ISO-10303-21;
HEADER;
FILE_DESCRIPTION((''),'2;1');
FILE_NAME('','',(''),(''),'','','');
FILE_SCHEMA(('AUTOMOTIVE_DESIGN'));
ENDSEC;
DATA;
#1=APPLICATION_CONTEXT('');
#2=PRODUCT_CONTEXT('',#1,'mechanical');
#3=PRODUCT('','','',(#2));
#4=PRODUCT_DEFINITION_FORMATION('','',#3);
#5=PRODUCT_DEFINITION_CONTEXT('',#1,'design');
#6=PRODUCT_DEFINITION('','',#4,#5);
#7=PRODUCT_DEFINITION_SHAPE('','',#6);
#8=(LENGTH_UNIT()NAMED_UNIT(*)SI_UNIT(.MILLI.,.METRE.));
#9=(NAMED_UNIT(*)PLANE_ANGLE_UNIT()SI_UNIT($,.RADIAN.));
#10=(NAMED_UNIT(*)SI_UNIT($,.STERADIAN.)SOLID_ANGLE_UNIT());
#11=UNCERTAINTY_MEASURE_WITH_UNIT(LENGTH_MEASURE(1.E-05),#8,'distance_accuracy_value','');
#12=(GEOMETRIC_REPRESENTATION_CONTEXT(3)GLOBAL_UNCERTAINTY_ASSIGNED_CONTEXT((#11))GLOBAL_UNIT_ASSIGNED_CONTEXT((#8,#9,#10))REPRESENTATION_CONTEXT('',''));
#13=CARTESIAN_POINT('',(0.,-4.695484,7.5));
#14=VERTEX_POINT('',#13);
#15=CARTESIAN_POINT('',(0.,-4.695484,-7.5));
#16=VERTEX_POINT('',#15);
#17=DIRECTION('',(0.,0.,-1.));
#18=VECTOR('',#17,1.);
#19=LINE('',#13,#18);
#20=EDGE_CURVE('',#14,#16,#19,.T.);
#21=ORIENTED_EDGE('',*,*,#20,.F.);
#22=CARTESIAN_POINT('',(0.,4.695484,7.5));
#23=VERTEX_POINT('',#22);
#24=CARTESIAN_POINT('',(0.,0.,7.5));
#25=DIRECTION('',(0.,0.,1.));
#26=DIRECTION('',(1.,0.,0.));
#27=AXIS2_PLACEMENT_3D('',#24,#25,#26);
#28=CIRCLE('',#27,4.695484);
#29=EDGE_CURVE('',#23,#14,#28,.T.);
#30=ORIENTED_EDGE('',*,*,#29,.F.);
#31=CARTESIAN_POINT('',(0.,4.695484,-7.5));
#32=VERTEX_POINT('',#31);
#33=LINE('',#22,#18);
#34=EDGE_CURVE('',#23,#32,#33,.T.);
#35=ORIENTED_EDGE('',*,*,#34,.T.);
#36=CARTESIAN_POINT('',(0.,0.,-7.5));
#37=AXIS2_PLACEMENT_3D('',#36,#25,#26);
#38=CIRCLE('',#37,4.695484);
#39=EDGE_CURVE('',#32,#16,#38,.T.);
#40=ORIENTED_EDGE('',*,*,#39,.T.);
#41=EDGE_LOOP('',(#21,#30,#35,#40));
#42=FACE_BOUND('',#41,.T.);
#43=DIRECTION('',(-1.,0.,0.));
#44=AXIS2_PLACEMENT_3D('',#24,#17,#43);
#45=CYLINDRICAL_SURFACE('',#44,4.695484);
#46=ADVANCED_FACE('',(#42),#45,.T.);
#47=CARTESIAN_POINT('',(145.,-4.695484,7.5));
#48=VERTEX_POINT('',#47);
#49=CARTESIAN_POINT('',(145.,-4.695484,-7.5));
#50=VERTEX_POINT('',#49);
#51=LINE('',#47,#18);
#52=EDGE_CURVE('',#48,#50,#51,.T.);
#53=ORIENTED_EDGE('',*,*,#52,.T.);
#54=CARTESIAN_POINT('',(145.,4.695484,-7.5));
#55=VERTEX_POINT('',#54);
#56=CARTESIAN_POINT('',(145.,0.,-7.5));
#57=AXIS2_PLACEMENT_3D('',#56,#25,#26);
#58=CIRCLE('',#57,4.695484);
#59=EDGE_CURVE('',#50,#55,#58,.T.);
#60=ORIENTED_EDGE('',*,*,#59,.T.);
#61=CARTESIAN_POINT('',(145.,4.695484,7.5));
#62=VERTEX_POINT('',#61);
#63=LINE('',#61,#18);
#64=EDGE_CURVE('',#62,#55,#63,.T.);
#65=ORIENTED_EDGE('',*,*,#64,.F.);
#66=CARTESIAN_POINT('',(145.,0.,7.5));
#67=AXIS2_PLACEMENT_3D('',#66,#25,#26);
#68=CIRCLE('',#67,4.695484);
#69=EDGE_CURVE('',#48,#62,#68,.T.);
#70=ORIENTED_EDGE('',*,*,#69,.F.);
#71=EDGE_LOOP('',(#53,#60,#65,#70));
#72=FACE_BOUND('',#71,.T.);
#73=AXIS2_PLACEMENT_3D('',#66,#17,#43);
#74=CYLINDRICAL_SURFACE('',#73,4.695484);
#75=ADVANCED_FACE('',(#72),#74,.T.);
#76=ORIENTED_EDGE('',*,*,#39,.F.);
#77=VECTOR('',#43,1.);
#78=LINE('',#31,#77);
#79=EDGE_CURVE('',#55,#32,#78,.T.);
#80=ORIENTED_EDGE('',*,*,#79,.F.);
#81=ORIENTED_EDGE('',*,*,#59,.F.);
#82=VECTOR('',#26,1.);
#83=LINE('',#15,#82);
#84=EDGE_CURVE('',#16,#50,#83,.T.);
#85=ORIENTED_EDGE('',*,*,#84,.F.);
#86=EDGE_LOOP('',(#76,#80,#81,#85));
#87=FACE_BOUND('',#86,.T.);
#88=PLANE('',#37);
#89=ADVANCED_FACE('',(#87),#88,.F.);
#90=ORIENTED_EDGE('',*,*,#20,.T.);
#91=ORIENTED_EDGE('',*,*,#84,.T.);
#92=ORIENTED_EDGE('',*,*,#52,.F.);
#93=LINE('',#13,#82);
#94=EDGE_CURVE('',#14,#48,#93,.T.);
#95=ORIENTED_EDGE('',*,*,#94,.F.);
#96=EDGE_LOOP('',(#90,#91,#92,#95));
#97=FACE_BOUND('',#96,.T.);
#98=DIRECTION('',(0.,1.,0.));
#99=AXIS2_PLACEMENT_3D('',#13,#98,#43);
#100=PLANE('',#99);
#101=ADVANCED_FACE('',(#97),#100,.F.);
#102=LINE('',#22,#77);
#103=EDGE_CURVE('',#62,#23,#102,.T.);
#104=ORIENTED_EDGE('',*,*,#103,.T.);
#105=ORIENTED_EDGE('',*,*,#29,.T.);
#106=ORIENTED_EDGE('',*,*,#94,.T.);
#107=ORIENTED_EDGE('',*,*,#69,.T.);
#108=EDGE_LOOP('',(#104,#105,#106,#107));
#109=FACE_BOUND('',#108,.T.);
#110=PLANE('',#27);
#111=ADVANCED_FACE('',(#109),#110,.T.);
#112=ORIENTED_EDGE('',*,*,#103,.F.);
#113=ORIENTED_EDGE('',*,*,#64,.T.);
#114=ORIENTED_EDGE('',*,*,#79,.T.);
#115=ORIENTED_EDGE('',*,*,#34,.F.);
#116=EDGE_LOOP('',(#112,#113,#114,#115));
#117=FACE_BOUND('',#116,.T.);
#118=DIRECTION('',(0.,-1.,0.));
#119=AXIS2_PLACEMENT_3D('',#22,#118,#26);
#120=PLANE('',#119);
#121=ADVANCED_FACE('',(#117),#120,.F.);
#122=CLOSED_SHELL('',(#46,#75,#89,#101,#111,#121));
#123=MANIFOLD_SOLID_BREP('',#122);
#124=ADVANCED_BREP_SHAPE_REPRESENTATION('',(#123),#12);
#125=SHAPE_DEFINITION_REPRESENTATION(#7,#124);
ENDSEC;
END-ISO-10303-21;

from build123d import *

# Parameters (mm, degrees)
EXTRUDE_1_DEPTH = 7.5


with BuildPart() as part:
    # 草图1 → 凸台-拉伸1 (new, symmetric)
    with BuildSketch(Plane.XY):
        with BuildLine():
            Line((0, 4.695484364), (145, 4.695484364))
            ThreePointArc((145, 4.695484364), (149.695484364, 0), (145, -4.695484364))
            Line((145, -4.695484364), (0, -4.695484364))
            ThreePointArc((0, -4.695484364), (-4.695484364, 0), (0, 4.695484364))
        make_face()
    extrude(amount=EXTRUDE_1_DEPTH, both=True)


solid = part.part
